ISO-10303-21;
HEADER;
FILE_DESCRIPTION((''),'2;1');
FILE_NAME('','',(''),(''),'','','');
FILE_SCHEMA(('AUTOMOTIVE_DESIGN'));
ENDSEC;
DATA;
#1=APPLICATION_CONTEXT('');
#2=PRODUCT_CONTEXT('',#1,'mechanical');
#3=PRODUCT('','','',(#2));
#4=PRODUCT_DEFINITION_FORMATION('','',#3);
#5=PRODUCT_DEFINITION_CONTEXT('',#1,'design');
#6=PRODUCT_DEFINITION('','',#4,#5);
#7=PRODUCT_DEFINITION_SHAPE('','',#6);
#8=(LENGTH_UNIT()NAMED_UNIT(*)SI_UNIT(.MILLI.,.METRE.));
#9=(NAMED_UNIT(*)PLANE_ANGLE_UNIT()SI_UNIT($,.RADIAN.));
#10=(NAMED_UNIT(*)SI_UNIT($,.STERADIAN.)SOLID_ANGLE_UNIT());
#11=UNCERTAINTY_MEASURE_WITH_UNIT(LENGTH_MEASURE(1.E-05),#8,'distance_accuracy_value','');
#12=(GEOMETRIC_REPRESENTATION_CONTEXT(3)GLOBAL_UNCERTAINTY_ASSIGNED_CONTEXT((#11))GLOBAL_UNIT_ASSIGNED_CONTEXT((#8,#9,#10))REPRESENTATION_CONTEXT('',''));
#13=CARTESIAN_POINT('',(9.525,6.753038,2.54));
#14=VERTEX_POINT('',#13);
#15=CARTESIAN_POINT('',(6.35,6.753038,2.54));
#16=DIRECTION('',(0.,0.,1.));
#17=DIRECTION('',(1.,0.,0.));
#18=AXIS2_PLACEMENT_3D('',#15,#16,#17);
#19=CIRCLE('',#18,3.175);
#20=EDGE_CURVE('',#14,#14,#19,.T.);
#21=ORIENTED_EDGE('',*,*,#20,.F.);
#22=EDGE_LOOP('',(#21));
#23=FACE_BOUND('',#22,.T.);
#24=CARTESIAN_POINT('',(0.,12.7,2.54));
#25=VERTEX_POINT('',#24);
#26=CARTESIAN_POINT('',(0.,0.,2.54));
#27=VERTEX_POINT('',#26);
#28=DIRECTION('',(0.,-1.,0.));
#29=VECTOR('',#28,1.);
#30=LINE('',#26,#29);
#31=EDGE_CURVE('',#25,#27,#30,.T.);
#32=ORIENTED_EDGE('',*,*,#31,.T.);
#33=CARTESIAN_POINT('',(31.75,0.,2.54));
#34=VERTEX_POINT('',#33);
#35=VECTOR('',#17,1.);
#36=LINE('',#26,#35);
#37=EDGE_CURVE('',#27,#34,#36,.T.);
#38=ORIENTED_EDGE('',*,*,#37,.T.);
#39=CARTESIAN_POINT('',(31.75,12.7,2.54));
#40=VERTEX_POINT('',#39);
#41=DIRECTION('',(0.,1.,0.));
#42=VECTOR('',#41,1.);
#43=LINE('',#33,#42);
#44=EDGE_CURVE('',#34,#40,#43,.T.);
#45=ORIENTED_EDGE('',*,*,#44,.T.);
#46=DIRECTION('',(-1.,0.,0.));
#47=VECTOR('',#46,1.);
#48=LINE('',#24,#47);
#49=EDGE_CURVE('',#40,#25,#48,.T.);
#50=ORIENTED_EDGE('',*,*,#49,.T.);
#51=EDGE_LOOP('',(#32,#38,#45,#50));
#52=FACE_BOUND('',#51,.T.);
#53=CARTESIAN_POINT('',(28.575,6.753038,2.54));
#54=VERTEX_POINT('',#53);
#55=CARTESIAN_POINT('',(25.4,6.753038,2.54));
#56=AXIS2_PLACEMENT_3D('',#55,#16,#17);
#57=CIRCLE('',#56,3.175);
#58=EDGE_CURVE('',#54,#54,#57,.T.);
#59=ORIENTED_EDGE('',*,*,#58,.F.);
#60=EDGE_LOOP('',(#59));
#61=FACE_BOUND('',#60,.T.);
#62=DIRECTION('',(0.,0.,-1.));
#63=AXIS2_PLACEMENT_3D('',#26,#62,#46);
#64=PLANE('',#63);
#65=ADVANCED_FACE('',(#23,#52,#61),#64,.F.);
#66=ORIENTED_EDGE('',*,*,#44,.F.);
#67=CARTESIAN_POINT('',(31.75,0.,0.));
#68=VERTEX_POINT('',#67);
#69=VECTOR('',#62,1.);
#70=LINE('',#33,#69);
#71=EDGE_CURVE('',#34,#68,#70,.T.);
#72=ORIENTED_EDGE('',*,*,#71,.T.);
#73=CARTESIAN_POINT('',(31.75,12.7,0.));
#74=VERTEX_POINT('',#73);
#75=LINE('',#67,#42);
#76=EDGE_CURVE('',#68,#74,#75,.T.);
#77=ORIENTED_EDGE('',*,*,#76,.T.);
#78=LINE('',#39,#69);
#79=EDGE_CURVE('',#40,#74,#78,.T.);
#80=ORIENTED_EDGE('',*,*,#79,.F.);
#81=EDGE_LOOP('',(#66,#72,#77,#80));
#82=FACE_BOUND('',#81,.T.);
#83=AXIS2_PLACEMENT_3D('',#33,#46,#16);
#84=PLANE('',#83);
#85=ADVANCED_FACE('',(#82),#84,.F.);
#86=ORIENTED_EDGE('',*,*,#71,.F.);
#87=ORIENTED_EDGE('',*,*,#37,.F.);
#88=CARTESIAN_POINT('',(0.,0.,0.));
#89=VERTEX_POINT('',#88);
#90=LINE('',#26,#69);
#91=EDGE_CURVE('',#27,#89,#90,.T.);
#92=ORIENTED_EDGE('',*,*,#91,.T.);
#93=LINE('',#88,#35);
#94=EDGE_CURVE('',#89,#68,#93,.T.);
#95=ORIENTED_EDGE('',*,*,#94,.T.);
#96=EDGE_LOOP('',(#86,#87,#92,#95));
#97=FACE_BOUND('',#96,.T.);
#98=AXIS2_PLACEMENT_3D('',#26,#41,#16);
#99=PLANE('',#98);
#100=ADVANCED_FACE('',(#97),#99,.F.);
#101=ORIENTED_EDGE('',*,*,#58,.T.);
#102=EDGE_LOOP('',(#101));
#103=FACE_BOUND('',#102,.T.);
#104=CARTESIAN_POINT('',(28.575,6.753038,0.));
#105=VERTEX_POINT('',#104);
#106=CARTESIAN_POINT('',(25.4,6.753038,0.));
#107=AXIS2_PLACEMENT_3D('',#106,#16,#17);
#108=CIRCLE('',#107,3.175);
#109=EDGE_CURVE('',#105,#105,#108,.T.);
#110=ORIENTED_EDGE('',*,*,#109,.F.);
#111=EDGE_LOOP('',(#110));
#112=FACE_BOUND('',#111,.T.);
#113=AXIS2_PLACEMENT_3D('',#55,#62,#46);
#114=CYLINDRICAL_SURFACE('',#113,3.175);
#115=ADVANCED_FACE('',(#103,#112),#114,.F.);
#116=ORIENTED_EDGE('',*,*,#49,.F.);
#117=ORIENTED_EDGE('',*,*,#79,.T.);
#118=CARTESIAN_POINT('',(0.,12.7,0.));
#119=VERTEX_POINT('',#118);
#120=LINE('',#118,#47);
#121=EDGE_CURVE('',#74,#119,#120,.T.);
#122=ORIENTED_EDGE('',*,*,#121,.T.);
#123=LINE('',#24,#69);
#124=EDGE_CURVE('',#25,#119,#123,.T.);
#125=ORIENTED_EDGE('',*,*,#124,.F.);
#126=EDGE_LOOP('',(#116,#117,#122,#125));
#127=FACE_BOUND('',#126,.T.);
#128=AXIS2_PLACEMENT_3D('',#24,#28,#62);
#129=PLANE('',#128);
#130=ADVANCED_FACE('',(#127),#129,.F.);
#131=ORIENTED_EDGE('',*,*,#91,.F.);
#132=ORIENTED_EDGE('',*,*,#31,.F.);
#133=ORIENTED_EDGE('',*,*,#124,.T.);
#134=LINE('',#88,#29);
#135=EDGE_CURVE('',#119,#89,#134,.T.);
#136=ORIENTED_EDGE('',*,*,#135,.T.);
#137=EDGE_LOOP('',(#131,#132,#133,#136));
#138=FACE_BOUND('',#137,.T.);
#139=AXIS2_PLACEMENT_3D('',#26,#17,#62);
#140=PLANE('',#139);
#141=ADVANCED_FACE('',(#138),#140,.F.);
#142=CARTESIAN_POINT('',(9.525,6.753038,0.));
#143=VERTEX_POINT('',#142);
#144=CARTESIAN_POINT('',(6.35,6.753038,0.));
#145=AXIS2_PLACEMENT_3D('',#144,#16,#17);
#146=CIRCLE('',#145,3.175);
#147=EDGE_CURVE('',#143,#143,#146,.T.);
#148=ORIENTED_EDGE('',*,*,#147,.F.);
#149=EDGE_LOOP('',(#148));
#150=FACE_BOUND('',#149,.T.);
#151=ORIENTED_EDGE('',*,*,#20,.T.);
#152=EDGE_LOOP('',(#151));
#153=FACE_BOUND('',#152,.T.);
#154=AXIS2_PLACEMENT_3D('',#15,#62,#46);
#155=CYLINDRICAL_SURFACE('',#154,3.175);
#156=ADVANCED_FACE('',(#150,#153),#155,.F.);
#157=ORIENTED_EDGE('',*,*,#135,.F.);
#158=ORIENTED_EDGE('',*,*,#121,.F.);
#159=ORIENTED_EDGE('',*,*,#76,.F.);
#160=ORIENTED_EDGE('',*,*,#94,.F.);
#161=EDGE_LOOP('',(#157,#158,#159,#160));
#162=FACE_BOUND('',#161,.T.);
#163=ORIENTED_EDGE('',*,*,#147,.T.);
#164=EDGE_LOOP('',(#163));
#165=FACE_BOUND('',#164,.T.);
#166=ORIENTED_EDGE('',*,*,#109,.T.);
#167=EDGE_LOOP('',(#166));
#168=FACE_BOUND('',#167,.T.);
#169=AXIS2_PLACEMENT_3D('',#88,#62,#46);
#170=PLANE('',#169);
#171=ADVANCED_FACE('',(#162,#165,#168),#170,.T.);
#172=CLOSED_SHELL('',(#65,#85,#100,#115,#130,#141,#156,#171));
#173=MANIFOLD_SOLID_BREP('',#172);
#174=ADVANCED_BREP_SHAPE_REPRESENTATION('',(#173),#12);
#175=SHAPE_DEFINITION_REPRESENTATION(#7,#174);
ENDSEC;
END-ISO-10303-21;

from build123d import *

# Parameters (mm, degrees)
SKETCH1_W           = 31.75
SKETCH1_H           = 12.7
SKETCH1_R           = 3.175
BOSS_EXTRUDE1_DEPTH = 2.54


with BuildPart() as part:
    # Sketch1 → Boss-Extrude1 (new body)
    with BuildSketch(Plane.XY):
        with Locations((15.875, 6.35)):
            Rectangle(SKETCH1_W, SKETCH1_H)
        with Locations((6.35, 6.753037648)):
            Circle(SKETCH1_R, mode=Mode.SUBTRACT)
        with Locations((25.4, 6.753037648)):
            Circle(SKETCH1_R, mode=Mode.SUBTRACT)
    extrude(amount=BOSS_EXTRUDE1_DEPTH)


solid = part.part
